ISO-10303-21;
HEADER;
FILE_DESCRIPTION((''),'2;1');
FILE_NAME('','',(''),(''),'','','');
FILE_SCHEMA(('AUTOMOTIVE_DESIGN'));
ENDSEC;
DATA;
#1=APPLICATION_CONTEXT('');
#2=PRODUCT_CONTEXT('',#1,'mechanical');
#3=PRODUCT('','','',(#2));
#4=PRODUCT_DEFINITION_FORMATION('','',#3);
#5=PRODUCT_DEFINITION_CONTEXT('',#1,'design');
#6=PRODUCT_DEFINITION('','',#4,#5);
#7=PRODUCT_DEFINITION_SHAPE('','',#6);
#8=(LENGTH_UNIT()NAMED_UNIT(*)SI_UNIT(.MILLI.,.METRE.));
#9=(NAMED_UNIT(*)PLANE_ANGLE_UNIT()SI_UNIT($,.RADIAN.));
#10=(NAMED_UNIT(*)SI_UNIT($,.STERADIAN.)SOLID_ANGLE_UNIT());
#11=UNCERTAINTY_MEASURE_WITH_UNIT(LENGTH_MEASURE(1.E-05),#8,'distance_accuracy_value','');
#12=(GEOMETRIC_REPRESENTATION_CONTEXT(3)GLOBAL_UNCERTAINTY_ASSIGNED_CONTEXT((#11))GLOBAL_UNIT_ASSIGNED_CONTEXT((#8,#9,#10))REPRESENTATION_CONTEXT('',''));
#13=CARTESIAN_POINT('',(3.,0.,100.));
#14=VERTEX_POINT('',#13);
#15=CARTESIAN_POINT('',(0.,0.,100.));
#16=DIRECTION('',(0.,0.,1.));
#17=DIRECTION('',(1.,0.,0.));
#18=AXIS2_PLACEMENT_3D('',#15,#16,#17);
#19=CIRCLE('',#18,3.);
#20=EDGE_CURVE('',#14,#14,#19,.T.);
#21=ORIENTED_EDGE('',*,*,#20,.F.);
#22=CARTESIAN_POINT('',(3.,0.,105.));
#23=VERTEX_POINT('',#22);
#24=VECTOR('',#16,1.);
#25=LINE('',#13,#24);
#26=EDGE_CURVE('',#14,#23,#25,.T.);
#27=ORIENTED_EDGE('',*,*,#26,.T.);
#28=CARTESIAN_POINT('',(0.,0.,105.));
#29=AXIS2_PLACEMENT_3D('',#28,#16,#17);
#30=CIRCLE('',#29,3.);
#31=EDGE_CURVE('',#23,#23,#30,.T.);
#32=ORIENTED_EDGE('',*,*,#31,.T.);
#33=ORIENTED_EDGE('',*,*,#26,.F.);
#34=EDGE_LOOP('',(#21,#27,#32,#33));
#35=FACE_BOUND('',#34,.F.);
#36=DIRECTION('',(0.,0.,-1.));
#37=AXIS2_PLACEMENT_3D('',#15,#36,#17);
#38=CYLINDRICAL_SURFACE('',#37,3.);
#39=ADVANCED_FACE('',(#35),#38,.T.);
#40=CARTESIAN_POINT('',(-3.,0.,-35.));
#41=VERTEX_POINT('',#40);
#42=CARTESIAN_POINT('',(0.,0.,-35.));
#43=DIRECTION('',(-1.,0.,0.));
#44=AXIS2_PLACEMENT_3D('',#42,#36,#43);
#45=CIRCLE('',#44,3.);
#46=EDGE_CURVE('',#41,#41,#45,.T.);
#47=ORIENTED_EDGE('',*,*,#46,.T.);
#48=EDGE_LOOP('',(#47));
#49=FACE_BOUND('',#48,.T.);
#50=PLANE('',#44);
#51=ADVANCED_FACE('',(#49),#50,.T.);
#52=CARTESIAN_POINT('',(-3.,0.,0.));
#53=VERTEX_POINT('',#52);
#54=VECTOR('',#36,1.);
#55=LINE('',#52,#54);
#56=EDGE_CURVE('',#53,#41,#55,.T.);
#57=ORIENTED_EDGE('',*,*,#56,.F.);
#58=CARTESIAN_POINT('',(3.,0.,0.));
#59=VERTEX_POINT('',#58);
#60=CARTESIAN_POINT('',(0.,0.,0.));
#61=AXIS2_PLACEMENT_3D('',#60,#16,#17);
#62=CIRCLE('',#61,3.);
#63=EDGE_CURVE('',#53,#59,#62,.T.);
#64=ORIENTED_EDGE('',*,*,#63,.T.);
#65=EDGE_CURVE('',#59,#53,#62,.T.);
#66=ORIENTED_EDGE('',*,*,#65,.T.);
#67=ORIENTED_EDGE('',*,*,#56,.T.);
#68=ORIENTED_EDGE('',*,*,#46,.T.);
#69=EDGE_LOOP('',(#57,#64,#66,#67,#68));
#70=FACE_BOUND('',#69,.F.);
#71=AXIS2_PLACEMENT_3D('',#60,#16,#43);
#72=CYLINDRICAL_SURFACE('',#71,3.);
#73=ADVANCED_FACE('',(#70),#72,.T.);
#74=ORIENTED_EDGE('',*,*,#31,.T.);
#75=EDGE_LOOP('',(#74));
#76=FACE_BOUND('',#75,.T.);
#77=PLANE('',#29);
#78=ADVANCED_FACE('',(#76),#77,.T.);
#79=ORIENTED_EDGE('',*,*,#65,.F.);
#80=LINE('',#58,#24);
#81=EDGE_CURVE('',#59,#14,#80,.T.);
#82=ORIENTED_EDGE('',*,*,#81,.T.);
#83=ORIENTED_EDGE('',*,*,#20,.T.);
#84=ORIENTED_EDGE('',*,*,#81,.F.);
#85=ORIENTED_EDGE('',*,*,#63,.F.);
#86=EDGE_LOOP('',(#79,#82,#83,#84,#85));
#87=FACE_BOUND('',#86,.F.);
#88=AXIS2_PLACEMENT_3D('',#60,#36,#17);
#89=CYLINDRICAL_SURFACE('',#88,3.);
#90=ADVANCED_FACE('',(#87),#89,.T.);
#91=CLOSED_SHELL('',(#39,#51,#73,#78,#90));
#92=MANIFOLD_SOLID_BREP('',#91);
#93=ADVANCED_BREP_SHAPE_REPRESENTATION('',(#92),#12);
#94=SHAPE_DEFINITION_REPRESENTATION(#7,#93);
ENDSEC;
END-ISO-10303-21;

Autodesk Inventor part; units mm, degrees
ref_plane "YZ Plane" through (0, 0, 0) normal (1, 0, 0) x (0, 1, 0)
ref_plane "XZ Plane" through (0, 0, 0) normal (0, 1, 0) x (-1, 0, 0)
ref_plane "XY Plane" through (0, 0, 0) normal (0, 0, 1) x (1, 0, 0)
sketch "スケッチ1" plane through (0, 0, 0) normal (0, 0, 1) x (1, 0, 0)
  circle A0 centre (0, 0) radius 3
  dimension "d0" = 6
extrude "押し出し1" add sketch "スケッチ1" along normal blind 100
sketch "スケッチ2" plane through (0, 0, 0) normal (0, 0, -1) x (-1, 0, 0)
  circle A0 centre (0, 0) radius 3
extrude "押し出し2" add sketch "スケッチ2" along normal blind 35
sketch "スケッチ3" plane through (0, 0, 100) normal (0, 0, 1) x (1, 0, 0)
  circle A0 centre (0, 0) radius 3
  dimension "d5" = 6
extrude "押し出し3" add sketch "スケッチ3" along normal blind 5
properties part number "6mm軸1"
